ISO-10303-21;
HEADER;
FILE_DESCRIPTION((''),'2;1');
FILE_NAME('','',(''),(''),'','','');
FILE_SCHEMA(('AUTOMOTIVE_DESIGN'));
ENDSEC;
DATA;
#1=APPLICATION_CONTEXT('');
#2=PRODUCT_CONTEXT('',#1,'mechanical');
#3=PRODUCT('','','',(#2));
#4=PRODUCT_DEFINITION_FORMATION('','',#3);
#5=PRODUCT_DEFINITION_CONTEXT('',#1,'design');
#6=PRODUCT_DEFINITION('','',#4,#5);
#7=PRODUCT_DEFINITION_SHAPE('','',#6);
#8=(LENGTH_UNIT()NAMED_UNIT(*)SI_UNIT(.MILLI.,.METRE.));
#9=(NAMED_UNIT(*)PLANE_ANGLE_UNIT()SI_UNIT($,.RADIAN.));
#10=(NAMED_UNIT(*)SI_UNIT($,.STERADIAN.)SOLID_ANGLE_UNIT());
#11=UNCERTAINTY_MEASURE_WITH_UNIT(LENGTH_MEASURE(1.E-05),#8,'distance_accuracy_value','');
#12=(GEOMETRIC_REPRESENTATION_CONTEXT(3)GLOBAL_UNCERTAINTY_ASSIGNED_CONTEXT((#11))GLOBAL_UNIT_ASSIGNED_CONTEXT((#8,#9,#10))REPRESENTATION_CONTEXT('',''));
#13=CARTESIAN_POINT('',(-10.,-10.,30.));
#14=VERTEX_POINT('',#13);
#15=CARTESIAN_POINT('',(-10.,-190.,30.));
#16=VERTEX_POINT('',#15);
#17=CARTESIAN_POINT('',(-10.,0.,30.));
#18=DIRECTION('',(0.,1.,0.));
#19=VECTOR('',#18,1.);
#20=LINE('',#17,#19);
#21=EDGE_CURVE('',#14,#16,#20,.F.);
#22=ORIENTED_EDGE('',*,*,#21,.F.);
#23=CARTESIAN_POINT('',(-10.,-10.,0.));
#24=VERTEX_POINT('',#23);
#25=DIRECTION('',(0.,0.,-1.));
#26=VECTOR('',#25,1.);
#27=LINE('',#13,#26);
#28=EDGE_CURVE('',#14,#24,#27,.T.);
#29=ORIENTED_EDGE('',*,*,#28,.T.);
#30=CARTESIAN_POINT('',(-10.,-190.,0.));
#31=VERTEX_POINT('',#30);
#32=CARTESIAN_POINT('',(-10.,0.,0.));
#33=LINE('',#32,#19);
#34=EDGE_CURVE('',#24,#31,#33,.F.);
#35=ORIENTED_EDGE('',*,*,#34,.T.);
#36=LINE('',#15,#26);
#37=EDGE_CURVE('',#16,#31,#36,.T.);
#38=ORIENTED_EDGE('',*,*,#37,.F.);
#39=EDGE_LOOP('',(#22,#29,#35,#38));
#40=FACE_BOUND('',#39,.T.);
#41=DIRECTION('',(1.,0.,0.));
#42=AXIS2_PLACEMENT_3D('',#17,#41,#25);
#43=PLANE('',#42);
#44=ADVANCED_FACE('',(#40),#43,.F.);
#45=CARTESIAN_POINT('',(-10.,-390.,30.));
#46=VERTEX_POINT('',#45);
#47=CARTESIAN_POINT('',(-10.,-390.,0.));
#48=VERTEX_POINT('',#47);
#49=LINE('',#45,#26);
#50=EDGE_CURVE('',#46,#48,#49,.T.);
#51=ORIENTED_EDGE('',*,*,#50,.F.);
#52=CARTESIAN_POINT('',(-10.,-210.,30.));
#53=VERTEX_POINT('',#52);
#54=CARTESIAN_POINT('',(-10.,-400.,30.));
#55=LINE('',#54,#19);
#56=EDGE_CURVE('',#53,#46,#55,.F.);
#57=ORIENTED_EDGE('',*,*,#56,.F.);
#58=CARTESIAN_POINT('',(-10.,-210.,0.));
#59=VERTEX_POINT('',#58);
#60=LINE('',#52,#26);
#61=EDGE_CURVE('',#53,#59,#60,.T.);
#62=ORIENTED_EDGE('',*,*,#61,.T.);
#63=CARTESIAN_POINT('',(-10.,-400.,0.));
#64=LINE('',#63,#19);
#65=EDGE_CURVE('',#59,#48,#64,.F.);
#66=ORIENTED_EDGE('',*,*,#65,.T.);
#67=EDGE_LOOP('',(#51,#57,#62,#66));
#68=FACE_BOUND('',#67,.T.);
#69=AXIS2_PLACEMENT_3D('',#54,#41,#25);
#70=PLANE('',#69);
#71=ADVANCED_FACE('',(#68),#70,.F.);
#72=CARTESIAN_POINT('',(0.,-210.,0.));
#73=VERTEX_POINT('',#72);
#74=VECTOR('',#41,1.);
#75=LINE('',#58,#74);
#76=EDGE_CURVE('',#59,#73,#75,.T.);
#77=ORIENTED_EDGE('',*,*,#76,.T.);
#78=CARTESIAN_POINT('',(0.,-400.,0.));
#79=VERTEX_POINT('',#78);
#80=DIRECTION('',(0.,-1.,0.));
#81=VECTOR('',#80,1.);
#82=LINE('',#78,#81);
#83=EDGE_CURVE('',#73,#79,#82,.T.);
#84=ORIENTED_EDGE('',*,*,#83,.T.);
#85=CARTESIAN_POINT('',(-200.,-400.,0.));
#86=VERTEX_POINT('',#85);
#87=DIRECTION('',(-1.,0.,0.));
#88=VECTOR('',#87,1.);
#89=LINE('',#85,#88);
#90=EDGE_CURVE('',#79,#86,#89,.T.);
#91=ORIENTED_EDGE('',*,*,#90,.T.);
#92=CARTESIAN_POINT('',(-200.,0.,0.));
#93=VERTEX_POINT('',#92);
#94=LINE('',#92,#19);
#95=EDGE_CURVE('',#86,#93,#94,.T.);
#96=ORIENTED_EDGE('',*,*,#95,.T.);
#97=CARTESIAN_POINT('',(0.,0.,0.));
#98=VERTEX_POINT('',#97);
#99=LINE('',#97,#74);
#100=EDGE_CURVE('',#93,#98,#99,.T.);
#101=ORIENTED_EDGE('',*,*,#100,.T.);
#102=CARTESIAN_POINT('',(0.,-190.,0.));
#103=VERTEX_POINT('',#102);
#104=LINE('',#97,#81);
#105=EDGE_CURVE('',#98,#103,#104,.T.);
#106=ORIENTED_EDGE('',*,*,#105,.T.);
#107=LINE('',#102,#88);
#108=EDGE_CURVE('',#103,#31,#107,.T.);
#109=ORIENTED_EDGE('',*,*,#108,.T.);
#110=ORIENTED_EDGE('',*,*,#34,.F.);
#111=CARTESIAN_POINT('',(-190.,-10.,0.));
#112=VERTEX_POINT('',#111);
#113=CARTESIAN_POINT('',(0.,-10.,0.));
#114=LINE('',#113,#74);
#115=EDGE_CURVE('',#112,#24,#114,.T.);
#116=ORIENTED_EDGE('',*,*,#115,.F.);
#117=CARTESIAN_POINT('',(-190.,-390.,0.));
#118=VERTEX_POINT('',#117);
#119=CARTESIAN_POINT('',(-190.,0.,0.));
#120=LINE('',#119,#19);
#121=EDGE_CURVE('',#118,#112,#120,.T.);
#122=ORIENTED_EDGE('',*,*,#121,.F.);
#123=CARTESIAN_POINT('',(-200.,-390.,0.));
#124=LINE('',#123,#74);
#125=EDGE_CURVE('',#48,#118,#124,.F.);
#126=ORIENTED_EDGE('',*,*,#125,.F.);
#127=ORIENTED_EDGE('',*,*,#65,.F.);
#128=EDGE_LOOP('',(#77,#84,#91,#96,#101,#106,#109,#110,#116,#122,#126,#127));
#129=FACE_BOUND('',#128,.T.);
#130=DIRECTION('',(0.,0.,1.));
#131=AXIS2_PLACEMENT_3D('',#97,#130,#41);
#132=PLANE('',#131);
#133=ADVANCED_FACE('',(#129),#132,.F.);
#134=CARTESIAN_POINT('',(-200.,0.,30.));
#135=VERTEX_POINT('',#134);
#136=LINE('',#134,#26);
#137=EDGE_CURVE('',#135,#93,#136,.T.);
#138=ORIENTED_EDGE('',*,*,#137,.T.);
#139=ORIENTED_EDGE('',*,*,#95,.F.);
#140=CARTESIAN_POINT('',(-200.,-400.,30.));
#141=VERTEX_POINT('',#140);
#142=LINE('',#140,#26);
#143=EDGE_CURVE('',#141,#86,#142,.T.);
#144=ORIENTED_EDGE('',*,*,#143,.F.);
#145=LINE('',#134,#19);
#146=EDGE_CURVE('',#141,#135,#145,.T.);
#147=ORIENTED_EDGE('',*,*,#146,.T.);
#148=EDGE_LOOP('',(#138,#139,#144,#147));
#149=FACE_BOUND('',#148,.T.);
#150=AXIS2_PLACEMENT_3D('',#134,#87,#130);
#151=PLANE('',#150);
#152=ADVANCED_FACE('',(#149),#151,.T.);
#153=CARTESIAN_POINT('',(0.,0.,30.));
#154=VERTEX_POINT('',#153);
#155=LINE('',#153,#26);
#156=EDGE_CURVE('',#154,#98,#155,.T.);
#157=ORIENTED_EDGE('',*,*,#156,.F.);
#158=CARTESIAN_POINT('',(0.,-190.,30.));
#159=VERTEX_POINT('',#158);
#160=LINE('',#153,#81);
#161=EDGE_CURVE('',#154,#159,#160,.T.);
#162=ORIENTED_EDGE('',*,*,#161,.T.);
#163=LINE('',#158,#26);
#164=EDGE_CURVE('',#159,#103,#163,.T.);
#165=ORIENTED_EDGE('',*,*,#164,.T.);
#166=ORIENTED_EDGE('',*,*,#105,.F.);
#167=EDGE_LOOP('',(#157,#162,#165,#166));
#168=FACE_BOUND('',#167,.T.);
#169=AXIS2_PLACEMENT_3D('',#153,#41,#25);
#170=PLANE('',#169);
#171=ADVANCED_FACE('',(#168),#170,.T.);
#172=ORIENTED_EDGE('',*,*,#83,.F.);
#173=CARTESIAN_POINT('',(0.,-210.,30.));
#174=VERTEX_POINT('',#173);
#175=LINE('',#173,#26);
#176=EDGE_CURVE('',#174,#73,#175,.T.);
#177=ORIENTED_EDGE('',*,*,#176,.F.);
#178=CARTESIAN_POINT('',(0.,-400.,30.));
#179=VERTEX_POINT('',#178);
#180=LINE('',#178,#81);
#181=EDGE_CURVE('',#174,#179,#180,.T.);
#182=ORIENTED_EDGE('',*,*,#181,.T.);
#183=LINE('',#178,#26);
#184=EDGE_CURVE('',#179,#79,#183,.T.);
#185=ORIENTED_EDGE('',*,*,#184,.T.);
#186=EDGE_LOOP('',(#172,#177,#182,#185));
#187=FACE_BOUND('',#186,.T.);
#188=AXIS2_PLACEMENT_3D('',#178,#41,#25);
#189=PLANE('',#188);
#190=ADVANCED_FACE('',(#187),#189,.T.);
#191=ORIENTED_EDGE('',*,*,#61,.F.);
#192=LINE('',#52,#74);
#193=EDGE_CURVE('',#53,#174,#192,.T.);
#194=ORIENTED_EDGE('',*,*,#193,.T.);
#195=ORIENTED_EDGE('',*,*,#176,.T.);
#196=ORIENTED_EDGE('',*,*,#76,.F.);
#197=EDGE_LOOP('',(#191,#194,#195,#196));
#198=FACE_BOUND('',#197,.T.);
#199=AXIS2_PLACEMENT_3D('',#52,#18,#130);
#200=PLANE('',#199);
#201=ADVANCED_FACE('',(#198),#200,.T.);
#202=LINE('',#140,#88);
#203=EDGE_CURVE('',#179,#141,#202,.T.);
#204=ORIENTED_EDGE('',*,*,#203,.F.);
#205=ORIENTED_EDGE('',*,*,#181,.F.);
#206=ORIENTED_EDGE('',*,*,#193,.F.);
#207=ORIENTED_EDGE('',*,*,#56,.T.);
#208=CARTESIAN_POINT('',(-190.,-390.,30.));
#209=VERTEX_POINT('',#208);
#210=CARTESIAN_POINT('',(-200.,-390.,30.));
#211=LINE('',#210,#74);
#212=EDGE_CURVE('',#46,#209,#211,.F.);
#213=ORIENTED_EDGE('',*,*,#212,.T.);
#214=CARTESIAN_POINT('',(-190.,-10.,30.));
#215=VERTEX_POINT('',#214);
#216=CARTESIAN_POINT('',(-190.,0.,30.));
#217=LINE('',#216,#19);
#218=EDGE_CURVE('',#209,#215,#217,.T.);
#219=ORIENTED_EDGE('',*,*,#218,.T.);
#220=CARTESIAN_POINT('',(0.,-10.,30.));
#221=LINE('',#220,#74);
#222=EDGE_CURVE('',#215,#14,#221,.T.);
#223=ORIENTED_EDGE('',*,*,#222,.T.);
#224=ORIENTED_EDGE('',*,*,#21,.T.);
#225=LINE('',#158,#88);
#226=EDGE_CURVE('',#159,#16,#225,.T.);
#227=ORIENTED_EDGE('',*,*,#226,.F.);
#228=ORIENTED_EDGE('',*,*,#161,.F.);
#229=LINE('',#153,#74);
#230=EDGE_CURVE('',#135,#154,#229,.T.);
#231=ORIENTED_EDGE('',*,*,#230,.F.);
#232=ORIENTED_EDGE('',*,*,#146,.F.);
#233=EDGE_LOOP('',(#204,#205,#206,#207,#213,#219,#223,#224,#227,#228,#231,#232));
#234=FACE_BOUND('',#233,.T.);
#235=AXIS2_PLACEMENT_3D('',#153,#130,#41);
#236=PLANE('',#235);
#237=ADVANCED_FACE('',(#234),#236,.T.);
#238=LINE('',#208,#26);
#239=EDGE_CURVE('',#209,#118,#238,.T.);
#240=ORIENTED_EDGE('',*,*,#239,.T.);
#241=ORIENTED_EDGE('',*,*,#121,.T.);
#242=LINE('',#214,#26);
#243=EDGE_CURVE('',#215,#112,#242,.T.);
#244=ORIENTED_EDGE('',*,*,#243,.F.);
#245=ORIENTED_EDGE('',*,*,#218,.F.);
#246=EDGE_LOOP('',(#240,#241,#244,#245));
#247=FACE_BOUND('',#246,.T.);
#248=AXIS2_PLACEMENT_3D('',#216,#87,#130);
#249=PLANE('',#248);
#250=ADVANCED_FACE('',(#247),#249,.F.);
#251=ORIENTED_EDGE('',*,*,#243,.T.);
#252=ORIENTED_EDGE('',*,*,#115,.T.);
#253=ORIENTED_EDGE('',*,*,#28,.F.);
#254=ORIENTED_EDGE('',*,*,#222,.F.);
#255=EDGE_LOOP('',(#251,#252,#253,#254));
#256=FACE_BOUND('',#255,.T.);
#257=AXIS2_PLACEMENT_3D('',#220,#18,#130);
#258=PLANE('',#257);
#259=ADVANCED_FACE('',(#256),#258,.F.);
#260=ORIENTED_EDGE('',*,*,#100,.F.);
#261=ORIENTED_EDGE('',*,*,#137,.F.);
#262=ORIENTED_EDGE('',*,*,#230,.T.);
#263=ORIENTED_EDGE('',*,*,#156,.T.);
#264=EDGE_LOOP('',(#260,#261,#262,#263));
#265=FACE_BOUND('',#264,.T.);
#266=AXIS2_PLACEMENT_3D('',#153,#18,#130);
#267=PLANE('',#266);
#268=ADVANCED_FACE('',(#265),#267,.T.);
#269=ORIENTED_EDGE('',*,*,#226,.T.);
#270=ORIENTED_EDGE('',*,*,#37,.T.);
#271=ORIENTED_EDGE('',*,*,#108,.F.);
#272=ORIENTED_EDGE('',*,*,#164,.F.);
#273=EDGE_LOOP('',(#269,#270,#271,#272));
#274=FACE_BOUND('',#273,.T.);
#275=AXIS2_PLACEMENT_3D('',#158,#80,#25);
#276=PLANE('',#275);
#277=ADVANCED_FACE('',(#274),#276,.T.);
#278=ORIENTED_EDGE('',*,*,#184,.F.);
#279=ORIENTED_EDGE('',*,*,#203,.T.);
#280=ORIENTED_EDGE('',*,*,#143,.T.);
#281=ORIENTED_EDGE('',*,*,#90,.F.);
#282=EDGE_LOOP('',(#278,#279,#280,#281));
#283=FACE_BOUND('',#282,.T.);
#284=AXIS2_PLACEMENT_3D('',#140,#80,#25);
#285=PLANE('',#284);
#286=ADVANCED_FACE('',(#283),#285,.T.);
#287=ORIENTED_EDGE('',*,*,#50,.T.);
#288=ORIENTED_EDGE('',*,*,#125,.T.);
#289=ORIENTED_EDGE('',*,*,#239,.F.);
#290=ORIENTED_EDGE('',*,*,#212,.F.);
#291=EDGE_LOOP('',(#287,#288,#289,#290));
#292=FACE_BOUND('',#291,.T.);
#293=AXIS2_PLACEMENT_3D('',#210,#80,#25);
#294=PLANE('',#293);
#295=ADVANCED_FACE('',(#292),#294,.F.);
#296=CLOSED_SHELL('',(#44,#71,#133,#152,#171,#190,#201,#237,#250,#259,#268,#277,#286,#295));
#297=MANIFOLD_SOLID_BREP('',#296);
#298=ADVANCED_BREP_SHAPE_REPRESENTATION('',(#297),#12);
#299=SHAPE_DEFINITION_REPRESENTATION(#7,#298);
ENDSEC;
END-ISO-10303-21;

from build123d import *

# Parameters (mm, degrees)
EXTRUDE_THIN1_DEPTH = 30


with BuildPart() as part:
    # Sketch1 → Extrude-Thin1 (new body)
    with BuildSketch(Plane.XY):
        Polygon((0, -190), (0, 0), (-200, 0), (-200, -400), (0, -400), (0, -210), (-10, -210), (-10, -390), (-190, -390), (-190, -10), (-10, -10), (-10, -190), align=None)
    extrude(amount=EXTRUDE_THIN1_DEPTH)


solid = part.part
